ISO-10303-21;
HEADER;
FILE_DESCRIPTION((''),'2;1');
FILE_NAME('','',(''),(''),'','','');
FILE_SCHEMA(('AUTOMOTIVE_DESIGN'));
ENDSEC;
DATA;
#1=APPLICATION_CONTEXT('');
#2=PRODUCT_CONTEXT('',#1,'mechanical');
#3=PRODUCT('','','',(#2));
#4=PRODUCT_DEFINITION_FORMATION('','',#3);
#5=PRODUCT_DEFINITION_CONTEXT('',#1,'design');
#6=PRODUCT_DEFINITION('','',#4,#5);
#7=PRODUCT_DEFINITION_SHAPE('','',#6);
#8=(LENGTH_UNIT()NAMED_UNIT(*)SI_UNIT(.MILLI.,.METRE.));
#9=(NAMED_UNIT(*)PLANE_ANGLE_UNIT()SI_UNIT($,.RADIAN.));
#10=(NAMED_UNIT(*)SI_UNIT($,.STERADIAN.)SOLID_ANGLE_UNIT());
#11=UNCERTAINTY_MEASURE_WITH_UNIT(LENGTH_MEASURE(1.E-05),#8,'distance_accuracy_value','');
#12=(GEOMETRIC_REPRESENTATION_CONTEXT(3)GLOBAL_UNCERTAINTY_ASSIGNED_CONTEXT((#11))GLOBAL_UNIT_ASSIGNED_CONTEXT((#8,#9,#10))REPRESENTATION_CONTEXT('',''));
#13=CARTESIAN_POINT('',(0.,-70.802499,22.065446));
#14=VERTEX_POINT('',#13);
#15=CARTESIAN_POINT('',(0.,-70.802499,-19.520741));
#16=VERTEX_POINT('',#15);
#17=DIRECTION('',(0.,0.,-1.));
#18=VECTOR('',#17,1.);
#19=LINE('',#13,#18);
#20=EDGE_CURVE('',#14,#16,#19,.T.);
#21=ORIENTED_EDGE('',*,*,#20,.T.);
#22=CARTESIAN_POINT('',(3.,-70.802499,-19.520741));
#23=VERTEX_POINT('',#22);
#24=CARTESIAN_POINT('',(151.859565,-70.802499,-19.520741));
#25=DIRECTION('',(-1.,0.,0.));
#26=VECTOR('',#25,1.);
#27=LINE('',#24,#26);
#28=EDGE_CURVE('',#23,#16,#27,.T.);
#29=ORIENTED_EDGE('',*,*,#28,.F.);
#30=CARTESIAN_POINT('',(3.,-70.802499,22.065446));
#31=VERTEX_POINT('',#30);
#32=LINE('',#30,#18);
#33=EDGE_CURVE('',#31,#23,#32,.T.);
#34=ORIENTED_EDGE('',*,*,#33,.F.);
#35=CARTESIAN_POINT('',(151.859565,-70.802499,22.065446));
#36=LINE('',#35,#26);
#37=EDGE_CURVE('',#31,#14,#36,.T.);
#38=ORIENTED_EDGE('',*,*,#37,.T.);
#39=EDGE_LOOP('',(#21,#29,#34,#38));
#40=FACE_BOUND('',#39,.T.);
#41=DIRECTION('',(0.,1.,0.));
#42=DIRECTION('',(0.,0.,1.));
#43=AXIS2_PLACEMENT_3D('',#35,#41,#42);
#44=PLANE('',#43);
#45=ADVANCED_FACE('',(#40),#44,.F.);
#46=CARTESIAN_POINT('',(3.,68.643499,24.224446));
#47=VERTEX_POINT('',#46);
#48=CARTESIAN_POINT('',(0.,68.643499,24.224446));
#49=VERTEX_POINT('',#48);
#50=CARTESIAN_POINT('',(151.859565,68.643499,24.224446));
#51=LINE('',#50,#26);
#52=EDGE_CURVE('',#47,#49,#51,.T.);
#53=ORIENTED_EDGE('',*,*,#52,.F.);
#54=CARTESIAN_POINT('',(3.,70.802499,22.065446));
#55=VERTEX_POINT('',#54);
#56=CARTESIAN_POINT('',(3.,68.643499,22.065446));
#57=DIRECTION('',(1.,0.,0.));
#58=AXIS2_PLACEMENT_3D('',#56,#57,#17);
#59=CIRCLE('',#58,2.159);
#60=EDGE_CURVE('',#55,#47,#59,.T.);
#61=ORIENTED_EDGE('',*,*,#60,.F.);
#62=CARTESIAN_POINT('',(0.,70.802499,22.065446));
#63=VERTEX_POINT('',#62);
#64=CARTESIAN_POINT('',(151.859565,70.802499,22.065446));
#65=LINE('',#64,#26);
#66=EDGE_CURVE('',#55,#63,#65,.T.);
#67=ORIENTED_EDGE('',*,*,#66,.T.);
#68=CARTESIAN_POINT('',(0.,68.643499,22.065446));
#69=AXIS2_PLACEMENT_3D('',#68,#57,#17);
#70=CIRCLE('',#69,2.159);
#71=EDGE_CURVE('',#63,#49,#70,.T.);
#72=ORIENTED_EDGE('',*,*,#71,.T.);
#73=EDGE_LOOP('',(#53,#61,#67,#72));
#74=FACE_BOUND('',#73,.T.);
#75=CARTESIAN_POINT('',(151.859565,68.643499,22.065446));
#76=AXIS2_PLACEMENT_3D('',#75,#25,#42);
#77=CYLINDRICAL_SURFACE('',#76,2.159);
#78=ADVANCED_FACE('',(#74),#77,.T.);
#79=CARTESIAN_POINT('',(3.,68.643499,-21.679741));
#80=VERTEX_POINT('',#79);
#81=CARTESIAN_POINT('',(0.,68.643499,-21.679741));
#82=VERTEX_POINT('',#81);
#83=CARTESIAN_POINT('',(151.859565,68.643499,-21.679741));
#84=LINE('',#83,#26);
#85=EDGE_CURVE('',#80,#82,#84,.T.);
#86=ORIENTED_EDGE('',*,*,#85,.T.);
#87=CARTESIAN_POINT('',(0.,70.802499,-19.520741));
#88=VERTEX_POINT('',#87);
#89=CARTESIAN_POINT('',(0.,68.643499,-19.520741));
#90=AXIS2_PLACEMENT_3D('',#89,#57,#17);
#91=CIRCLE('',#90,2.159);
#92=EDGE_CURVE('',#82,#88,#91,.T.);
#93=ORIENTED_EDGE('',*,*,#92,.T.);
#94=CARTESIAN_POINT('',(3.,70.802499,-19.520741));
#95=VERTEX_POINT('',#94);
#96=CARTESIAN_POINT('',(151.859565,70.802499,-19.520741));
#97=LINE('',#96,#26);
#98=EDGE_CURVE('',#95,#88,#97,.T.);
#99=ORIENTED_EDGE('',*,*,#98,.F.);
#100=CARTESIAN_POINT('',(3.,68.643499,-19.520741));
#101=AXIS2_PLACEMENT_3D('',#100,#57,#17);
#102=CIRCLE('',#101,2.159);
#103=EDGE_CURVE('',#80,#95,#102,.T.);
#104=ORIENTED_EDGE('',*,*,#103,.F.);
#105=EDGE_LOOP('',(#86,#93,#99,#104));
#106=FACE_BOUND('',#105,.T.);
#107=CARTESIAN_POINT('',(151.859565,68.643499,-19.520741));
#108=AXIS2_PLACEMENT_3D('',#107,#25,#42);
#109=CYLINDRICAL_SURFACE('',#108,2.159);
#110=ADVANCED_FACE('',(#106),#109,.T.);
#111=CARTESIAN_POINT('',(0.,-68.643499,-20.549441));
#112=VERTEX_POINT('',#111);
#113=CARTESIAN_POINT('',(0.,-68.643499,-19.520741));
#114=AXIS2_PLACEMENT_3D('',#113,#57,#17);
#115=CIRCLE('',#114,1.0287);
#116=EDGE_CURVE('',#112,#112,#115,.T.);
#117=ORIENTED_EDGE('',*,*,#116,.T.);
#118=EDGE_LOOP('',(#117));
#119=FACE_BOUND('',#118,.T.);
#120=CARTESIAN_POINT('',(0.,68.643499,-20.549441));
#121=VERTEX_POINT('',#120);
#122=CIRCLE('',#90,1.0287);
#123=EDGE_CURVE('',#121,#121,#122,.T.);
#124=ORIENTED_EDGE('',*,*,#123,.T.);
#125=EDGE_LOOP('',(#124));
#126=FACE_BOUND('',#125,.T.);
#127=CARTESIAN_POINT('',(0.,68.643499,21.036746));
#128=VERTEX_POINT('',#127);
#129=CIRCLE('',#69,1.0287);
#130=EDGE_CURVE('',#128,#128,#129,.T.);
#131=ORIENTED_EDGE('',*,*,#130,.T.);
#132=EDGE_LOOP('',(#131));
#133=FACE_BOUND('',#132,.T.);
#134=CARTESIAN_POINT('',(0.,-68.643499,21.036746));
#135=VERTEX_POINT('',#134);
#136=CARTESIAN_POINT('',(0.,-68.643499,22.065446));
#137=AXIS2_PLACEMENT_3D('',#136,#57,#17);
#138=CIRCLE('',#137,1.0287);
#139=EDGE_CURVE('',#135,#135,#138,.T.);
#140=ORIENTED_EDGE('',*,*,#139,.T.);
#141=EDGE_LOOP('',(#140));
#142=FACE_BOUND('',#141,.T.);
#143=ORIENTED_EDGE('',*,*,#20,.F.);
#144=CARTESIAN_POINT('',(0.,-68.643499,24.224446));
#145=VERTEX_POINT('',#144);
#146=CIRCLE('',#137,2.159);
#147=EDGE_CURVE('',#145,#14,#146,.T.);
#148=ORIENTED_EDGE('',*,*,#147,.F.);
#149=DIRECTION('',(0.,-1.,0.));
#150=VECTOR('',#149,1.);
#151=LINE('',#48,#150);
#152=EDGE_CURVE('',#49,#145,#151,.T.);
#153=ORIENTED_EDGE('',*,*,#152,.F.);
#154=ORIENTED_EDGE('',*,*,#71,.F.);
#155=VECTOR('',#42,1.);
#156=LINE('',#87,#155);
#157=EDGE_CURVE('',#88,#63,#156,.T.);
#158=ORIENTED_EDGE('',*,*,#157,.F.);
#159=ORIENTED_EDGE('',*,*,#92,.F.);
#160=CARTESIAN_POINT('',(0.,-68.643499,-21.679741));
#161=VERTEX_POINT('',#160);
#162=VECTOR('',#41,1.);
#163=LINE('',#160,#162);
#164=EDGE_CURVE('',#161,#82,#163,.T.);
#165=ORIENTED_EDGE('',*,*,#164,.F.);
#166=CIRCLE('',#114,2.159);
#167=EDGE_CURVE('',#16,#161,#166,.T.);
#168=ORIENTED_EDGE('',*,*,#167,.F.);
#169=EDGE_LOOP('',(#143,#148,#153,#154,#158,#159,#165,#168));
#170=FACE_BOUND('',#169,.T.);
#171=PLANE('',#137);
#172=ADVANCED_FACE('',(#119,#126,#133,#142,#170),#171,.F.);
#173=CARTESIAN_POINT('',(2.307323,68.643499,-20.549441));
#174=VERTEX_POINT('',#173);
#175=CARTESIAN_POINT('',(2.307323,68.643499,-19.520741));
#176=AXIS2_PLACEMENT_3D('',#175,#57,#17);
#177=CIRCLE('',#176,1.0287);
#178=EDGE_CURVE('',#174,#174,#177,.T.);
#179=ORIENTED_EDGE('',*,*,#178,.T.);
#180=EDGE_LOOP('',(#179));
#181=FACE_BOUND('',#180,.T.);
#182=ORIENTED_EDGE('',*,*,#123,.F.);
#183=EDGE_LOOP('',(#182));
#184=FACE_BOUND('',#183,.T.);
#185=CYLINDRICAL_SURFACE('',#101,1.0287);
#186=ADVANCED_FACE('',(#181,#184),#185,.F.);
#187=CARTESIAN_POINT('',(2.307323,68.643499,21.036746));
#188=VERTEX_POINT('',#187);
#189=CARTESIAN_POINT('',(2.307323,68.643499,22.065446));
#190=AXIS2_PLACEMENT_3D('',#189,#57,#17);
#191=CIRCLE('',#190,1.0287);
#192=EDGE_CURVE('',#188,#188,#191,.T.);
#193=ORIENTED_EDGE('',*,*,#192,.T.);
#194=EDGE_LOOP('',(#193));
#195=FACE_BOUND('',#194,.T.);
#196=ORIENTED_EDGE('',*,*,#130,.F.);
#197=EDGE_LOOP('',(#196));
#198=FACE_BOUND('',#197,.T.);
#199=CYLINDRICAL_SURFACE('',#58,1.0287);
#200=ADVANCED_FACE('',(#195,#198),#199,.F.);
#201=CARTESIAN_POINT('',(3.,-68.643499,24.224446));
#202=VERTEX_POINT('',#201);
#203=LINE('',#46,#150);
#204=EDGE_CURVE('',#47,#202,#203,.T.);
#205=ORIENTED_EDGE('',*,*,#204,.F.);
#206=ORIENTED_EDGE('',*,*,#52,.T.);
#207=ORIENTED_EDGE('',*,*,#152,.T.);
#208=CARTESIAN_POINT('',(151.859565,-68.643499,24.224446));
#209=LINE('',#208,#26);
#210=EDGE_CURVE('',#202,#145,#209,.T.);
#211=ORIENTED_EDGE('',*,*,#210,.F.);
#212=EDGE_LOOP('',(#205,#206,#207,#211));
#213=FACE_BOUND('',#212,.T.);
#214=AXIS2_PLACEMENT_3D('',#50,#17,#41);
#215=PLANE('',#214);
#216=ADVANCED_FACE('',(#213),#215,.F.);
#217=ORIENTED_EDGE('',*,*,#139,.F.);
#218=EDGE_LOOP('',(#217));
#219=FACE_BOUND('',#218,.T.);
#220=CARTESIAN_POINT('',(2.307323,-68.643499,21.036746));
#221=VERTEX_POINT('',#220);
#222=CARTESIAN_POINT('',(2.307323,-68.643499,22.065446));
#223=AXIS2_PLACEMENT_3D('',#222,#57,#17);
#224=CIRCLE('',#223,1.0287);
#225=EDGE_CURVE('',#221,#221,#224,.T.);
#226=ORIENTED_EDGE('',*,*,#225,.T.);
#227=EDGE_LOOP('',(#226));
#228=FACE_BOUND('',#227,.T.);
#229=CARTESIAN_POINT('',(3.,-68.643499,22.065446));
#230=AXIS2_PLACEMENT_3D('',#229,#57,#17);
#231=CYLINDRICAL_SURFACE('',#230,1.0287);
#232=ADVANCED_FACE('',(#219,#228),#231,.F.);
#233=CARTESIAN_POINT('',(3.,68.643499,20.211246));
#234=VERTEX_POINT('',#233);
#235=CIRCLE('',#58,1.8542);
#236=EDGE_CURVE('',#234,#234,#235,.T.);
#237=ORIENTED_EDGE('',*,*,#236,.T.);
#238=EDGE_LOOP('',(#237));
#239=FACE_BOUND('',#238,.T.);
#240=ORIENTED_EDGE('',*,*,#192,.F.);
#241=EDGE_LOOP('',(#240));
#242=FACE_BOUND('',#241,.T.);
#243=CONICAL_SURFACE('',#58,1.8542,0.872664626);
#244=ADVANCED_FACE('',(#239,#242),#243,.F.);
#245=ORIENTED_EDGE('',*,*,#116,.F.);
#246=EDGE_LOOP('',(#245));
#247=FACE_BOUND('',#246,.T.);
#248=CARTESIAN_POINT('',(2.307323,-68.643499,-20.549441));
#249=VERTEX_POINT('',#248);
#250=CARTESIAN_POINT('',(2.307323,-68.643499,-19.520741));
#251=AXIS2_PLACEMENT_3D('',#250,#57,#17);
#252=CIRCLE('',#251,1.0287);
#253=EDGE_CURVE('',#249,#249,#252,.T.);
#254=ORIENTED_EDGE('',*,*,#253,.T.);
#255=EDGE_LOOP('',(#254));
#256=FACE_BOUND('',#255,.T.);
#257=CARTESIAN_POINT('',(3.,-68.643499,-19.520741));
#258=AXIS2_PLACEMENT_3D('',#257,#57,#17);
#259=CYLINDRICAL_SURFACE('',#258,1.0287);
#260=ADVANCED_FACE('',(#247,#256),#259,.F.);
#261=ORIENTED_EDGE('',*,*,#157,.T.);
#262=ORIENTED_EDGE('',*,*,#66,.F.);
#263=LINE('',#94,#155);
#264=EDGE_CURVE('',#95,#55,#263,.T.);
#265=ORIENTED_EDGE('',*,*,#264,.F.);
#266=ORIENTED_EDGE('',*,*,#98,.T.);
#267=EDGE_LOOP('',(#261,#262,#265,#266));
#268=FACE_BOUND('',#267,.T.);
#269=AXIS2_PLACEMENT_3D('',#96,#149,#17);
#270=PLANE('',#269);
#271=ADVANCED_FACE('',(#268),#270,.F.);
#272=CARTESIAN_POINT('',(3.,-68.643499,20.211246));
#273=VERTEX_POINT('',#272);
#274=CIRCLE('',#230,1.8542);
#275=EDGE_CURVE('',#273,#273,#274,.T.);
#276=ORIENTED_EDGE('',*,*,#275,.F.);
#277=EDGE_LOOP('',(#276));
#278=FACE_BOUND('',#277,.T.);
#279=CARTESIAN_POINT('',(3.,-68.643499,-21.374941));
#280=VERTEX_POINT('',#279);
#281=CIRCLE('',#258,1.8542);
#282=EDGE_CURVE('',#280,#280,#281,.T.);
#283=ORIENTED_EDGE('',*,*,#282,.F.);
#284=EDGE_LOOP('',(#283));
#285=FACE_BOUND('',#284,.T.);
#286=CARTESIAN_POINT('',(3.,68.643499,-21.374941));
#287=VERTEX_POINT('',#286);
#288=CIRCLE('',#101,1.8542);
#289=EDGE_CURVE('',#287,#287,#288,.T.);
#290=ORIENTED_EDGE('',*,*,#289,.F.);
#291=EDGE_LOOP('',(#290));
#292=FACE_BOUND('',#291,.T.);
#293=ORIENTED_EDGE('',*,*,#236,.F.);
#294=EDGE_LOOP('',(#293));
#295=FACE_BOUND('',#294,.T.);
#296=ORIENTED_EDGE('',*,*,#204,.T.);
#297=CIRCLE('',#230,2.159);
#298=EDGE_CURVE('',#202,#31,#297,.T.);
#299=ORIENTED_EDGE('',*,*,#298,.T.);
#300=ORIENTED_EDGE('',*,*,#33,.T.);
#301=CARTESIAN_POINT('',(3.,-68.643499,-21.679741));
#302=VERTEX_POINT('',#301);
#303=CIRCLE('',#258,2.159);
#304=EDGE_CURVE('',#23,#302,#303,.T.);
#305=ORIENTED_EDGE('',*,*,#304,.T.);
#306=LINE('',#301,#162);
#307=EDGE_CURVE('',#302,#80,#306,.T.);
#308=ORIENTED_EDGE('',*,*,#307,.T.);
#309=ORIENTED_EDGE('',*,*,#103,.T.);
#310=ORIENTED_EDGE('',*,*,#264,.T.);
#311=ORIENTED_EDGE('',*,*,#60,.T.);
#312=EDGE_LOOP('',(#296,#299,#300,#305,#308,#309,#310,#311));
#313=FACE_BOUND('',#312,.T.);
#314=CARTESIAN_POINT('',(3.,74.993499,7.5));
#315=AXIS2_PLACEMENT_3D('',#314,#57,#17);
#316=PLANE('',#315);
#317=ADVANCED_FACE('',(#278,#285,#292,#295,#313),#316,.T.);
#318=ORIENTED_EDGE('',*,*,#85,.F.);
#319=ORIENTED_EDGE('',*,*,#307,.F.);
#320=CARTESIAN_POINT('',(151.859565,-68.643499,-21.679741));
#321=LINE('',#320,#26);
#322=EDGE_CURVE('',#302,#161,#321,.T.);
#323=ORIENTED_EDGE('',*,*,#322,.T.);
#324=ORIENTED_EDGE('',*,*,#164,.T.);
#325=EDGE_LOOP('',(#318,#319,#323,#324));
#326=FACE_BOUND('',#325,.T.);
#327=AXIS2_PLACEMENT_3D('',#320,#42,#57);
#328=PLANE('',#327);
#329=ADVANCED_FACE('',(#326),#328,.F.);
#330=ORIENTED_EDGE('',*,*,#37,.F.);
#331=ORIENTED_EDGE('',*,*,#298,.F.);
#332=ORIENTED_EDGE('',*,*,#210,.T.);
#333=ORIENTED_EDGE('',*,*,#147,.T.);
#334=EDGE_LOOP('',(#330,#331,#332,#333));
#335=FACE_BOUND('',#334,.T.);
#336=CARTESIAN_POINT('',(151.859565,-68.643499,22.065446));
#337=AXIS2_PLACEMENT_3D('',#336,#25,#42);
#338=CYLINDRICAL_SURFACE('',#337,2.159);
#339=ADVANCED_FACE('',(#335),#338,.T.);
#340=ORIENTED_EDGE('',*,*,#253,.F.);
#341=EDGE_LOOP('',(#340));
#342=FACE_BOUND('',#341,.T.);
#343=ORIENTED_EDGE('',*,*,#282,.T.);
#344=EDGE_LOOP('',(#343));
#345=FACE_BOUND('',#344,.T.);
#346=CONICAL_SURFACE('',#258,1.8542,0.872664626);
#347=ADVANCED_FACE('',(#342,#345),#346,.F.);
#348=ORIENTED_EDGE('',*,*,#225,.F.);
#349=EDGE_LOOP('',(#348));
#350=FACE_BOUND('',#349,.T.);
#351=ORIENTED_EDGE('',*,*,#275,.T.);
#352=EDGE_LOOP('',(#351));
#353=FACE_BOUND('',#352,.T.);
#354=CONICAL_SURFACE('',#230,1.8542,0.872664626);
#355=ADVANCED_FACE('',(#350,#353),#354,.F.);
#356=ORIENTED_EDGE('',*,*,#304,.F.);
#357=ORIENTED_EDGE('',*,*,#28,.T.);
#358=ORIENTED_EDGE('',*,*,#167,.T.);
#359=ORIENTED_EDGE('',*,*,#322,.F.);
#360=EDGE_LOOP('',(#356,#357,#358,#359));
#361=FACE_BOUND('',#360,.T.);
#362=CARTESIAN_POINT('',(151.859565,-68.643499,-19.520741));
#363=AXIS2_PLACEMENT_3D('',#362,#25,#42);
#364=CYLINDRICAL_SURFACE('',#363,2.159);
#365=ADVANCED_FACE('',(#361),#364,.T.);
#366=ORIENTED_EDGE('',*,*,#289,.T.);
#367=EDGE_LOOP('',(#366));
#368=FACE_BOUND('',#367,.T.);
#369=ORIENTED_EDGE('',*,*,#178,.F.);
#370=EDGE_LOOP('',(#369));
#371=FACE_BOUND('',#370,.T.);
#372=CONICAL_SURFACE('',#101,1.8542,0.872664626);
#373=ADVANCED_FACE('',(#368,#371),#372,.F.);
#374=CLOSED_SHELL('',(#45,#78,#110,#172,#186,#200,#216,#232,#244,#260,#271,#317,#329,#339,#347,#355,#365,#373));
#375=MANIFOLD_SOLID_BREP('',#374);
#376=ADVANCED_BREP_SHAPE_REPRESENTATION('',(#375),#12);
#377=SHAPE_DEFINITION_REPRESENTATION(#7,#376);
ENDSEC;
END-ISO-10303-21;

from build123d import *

# Parameters (mm, degrees)
BOSS_EXTRUDE1_DEPTH                               = 3
CSK_FOR_1_FLAT_HEAD_MACHINE_SCREW_100_D           = 2.0574
CSK_FOR_1_FLAT_HEAD_MACHINE_SCREW_100_CSINK_D     = 3.7084
CSK_FOR_1_FLAT_HEAD_MACHINE_SCREW_100_CSINK_ANGLE = 100


with BuildPart() as part:
    # Sketch1 → Boss-Extrude1 (new body)
    with BuildSketch(Plane.YZ):
        with BuildLine():
            Line((-70.802499273, 22.065445977), (-70.802499273, -19.520741015))
            ThreePointArc((-70.802499273, -19.520741015), (-70.170142814, -21.047384555), (-68.643499273, -21.679741015))
            Line((-68.643499273, -21.679741015), (68.643499273, -21.679741015))
            ThreePointArc((68.643499273, -21.679741015), (70.170142814, -21.047384555), (70.802499273, -19.520741015))
            Line((70.802499273, -19.520741015), (70.802499273, 22.065445977))
            ThreePointArc((70.802499273, 22.065445977), (70.170142814, 23.592089518), (68.643499273, 24.224445977))
            Line((68.643499273, 24.224445977), (-68.643499273, 24.224445977))
            ThreePointArc((-68.643499273, 24.224445977), (-70.170142814, 23.592089518), (-70.802499273, 22.065445977))
        make_face()
    extrude(amount=BOSS_EXTRUDE1_DEPTH)

    # CSK for #1 Flat Head Machine Screw (100)1 (through all)
    with Locations(Plane.YZ.offset(3)):
        with Locations((68.643499273, 22.065445977), (68.643499273, -19.520741015), (-68.643499273, -19.520741015), (-68.643499273, 22.065445977)):
            CounterSinkHole(CSK_FOR_1_FLAT_HEAD_MACHINE_SCREW_100_D / 2, CSK_FOR_1_FLAT_HEAD_MACHINE_SCREW_100_CSINK_D / 2, counter_sink_angle=CSK_FOR_1_FLAT_HEAD_MACHINE_SCREW_100_CSINK_ANGLE)


solid = part.part
